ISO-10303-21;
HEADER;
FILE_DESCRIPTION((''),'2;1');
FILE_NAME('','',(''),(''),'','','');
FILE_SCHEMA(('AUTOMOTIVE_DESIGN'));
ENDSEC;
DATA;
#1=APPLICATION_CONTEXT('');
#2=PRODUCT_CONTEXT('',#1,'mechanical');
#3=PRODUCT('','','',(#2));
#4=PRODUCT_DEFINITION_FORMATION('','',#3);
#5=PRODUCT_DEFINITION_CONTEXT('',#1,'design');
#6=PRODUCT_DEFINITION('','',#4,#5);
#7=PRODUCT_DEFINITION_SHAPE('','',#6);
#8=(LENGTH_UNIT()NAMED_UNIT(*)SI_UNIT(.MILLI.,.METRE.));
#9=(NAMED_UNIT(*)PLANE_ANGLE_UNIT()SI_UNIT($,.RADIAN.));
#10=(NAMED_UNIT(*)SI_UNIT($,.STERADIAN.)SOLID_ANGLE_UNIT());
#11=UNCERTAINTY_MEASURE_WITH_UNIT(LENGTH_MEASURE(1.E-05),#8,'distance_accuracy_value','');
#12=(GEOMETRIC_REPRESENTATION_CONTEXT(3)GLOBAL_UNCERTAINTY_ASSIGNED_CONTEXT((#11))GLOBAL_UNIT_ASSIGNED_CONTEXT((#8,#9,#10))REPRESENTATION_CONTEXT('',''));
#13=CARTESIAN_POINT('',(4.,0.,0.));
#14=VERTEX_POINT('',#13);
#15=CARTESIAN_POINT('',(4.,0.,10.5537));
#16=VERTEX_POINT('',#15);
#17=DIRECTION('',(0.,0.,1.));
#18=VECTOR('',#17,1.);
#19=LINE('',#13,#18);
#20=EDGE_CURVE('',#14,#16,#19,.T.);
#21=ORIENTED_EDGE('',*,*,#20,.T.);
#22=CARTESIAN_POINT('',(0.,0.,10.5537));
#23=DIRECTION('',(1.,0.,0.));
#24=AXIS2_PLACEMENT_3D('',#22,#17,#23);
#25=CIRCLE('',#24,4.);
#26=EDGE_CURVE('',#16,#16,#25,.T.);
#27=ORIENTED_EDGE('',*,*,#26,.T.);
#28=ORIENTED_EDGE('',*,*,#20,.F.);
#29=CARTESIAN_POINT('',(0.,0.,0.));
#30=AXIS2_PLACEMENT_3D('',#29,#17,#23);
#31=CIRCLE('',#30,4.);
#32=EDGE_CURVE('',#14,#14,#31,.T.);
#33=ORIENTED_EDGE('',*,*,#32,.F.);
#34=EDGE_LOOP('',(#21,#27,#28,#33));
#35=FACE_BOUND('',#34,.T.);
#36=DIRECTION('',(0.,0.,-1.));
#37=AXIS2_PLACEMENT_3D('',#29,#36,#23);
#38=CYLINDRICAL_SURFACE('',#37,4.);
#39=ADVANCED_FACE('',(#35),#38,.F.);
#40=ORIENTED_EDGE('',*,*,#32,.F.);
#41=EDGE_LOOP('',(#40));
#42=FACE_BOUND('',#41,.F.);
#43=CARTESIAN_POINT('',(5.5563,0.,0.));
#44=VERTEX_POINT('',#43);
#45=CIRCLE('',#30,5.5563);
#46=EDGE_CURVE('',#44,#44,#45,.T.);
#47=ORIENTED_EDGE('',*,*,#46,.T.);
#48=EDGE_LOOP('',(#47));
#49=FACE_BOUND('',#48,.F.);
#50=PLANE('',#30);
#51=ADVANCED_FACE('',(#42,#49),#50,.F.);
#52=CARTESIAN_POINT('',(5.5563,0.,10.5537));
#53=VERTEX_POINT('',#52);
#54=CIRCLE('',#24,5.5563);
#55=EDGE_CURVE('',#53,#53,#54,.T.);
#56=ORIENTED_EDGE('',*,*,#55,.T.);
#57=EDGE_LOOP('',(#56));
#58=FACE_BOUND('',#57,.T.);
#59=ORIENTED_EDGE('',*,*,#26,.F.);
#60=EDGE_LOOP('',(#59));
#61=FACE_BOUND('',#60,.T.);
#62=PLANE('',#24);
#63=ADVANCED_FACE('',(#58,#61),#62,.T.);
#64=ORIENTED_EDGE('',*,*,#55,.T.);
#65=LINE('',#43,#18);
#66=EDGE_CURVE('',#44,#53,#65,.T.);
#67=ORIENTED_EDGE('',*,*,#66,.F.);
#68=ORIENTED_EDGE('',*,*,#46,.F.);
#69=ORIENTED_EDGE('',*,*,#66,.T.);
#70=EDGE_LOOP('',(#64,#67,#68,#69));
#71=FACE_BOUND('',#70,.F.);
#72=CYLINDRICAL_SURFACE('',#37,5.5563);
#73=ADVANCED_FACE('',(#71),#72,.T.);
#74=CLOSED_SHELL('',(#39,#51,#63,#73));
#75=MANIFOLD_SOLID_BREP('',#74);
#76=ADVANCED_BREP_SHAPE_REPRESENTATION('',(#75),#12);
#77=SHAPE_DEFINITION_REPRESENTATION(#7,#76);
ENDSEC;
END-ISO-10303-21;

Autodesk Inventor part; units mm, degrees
ref_plane "YZ Plane" through (0, 0, 0) normal (1, 0, 0) x (0, 1, 0)
ref_plane "XZ Plane" through (0, 0, 0) normal (0, 1, 0) x (-1, 0, 0)
ref_plane "XY Plane" through (0, 0, 0) normal (0, 0, 1) x (1, 0, 0)
sketch "Sketch1" plane through (0, 0, 0) normal (0, 0, 1) x (1, 0, 0)
  circle A0 centre (0, 0) radius 4
  circle A1 centre (0, 0) radius 5.5563
  dimension "d0" = 8
  dimension "d2" = 11.1125
extrude "Extrusion1" add sketch "Sketch1" along normal blind 10.5537
properties part number "MiniCim Spacer"
